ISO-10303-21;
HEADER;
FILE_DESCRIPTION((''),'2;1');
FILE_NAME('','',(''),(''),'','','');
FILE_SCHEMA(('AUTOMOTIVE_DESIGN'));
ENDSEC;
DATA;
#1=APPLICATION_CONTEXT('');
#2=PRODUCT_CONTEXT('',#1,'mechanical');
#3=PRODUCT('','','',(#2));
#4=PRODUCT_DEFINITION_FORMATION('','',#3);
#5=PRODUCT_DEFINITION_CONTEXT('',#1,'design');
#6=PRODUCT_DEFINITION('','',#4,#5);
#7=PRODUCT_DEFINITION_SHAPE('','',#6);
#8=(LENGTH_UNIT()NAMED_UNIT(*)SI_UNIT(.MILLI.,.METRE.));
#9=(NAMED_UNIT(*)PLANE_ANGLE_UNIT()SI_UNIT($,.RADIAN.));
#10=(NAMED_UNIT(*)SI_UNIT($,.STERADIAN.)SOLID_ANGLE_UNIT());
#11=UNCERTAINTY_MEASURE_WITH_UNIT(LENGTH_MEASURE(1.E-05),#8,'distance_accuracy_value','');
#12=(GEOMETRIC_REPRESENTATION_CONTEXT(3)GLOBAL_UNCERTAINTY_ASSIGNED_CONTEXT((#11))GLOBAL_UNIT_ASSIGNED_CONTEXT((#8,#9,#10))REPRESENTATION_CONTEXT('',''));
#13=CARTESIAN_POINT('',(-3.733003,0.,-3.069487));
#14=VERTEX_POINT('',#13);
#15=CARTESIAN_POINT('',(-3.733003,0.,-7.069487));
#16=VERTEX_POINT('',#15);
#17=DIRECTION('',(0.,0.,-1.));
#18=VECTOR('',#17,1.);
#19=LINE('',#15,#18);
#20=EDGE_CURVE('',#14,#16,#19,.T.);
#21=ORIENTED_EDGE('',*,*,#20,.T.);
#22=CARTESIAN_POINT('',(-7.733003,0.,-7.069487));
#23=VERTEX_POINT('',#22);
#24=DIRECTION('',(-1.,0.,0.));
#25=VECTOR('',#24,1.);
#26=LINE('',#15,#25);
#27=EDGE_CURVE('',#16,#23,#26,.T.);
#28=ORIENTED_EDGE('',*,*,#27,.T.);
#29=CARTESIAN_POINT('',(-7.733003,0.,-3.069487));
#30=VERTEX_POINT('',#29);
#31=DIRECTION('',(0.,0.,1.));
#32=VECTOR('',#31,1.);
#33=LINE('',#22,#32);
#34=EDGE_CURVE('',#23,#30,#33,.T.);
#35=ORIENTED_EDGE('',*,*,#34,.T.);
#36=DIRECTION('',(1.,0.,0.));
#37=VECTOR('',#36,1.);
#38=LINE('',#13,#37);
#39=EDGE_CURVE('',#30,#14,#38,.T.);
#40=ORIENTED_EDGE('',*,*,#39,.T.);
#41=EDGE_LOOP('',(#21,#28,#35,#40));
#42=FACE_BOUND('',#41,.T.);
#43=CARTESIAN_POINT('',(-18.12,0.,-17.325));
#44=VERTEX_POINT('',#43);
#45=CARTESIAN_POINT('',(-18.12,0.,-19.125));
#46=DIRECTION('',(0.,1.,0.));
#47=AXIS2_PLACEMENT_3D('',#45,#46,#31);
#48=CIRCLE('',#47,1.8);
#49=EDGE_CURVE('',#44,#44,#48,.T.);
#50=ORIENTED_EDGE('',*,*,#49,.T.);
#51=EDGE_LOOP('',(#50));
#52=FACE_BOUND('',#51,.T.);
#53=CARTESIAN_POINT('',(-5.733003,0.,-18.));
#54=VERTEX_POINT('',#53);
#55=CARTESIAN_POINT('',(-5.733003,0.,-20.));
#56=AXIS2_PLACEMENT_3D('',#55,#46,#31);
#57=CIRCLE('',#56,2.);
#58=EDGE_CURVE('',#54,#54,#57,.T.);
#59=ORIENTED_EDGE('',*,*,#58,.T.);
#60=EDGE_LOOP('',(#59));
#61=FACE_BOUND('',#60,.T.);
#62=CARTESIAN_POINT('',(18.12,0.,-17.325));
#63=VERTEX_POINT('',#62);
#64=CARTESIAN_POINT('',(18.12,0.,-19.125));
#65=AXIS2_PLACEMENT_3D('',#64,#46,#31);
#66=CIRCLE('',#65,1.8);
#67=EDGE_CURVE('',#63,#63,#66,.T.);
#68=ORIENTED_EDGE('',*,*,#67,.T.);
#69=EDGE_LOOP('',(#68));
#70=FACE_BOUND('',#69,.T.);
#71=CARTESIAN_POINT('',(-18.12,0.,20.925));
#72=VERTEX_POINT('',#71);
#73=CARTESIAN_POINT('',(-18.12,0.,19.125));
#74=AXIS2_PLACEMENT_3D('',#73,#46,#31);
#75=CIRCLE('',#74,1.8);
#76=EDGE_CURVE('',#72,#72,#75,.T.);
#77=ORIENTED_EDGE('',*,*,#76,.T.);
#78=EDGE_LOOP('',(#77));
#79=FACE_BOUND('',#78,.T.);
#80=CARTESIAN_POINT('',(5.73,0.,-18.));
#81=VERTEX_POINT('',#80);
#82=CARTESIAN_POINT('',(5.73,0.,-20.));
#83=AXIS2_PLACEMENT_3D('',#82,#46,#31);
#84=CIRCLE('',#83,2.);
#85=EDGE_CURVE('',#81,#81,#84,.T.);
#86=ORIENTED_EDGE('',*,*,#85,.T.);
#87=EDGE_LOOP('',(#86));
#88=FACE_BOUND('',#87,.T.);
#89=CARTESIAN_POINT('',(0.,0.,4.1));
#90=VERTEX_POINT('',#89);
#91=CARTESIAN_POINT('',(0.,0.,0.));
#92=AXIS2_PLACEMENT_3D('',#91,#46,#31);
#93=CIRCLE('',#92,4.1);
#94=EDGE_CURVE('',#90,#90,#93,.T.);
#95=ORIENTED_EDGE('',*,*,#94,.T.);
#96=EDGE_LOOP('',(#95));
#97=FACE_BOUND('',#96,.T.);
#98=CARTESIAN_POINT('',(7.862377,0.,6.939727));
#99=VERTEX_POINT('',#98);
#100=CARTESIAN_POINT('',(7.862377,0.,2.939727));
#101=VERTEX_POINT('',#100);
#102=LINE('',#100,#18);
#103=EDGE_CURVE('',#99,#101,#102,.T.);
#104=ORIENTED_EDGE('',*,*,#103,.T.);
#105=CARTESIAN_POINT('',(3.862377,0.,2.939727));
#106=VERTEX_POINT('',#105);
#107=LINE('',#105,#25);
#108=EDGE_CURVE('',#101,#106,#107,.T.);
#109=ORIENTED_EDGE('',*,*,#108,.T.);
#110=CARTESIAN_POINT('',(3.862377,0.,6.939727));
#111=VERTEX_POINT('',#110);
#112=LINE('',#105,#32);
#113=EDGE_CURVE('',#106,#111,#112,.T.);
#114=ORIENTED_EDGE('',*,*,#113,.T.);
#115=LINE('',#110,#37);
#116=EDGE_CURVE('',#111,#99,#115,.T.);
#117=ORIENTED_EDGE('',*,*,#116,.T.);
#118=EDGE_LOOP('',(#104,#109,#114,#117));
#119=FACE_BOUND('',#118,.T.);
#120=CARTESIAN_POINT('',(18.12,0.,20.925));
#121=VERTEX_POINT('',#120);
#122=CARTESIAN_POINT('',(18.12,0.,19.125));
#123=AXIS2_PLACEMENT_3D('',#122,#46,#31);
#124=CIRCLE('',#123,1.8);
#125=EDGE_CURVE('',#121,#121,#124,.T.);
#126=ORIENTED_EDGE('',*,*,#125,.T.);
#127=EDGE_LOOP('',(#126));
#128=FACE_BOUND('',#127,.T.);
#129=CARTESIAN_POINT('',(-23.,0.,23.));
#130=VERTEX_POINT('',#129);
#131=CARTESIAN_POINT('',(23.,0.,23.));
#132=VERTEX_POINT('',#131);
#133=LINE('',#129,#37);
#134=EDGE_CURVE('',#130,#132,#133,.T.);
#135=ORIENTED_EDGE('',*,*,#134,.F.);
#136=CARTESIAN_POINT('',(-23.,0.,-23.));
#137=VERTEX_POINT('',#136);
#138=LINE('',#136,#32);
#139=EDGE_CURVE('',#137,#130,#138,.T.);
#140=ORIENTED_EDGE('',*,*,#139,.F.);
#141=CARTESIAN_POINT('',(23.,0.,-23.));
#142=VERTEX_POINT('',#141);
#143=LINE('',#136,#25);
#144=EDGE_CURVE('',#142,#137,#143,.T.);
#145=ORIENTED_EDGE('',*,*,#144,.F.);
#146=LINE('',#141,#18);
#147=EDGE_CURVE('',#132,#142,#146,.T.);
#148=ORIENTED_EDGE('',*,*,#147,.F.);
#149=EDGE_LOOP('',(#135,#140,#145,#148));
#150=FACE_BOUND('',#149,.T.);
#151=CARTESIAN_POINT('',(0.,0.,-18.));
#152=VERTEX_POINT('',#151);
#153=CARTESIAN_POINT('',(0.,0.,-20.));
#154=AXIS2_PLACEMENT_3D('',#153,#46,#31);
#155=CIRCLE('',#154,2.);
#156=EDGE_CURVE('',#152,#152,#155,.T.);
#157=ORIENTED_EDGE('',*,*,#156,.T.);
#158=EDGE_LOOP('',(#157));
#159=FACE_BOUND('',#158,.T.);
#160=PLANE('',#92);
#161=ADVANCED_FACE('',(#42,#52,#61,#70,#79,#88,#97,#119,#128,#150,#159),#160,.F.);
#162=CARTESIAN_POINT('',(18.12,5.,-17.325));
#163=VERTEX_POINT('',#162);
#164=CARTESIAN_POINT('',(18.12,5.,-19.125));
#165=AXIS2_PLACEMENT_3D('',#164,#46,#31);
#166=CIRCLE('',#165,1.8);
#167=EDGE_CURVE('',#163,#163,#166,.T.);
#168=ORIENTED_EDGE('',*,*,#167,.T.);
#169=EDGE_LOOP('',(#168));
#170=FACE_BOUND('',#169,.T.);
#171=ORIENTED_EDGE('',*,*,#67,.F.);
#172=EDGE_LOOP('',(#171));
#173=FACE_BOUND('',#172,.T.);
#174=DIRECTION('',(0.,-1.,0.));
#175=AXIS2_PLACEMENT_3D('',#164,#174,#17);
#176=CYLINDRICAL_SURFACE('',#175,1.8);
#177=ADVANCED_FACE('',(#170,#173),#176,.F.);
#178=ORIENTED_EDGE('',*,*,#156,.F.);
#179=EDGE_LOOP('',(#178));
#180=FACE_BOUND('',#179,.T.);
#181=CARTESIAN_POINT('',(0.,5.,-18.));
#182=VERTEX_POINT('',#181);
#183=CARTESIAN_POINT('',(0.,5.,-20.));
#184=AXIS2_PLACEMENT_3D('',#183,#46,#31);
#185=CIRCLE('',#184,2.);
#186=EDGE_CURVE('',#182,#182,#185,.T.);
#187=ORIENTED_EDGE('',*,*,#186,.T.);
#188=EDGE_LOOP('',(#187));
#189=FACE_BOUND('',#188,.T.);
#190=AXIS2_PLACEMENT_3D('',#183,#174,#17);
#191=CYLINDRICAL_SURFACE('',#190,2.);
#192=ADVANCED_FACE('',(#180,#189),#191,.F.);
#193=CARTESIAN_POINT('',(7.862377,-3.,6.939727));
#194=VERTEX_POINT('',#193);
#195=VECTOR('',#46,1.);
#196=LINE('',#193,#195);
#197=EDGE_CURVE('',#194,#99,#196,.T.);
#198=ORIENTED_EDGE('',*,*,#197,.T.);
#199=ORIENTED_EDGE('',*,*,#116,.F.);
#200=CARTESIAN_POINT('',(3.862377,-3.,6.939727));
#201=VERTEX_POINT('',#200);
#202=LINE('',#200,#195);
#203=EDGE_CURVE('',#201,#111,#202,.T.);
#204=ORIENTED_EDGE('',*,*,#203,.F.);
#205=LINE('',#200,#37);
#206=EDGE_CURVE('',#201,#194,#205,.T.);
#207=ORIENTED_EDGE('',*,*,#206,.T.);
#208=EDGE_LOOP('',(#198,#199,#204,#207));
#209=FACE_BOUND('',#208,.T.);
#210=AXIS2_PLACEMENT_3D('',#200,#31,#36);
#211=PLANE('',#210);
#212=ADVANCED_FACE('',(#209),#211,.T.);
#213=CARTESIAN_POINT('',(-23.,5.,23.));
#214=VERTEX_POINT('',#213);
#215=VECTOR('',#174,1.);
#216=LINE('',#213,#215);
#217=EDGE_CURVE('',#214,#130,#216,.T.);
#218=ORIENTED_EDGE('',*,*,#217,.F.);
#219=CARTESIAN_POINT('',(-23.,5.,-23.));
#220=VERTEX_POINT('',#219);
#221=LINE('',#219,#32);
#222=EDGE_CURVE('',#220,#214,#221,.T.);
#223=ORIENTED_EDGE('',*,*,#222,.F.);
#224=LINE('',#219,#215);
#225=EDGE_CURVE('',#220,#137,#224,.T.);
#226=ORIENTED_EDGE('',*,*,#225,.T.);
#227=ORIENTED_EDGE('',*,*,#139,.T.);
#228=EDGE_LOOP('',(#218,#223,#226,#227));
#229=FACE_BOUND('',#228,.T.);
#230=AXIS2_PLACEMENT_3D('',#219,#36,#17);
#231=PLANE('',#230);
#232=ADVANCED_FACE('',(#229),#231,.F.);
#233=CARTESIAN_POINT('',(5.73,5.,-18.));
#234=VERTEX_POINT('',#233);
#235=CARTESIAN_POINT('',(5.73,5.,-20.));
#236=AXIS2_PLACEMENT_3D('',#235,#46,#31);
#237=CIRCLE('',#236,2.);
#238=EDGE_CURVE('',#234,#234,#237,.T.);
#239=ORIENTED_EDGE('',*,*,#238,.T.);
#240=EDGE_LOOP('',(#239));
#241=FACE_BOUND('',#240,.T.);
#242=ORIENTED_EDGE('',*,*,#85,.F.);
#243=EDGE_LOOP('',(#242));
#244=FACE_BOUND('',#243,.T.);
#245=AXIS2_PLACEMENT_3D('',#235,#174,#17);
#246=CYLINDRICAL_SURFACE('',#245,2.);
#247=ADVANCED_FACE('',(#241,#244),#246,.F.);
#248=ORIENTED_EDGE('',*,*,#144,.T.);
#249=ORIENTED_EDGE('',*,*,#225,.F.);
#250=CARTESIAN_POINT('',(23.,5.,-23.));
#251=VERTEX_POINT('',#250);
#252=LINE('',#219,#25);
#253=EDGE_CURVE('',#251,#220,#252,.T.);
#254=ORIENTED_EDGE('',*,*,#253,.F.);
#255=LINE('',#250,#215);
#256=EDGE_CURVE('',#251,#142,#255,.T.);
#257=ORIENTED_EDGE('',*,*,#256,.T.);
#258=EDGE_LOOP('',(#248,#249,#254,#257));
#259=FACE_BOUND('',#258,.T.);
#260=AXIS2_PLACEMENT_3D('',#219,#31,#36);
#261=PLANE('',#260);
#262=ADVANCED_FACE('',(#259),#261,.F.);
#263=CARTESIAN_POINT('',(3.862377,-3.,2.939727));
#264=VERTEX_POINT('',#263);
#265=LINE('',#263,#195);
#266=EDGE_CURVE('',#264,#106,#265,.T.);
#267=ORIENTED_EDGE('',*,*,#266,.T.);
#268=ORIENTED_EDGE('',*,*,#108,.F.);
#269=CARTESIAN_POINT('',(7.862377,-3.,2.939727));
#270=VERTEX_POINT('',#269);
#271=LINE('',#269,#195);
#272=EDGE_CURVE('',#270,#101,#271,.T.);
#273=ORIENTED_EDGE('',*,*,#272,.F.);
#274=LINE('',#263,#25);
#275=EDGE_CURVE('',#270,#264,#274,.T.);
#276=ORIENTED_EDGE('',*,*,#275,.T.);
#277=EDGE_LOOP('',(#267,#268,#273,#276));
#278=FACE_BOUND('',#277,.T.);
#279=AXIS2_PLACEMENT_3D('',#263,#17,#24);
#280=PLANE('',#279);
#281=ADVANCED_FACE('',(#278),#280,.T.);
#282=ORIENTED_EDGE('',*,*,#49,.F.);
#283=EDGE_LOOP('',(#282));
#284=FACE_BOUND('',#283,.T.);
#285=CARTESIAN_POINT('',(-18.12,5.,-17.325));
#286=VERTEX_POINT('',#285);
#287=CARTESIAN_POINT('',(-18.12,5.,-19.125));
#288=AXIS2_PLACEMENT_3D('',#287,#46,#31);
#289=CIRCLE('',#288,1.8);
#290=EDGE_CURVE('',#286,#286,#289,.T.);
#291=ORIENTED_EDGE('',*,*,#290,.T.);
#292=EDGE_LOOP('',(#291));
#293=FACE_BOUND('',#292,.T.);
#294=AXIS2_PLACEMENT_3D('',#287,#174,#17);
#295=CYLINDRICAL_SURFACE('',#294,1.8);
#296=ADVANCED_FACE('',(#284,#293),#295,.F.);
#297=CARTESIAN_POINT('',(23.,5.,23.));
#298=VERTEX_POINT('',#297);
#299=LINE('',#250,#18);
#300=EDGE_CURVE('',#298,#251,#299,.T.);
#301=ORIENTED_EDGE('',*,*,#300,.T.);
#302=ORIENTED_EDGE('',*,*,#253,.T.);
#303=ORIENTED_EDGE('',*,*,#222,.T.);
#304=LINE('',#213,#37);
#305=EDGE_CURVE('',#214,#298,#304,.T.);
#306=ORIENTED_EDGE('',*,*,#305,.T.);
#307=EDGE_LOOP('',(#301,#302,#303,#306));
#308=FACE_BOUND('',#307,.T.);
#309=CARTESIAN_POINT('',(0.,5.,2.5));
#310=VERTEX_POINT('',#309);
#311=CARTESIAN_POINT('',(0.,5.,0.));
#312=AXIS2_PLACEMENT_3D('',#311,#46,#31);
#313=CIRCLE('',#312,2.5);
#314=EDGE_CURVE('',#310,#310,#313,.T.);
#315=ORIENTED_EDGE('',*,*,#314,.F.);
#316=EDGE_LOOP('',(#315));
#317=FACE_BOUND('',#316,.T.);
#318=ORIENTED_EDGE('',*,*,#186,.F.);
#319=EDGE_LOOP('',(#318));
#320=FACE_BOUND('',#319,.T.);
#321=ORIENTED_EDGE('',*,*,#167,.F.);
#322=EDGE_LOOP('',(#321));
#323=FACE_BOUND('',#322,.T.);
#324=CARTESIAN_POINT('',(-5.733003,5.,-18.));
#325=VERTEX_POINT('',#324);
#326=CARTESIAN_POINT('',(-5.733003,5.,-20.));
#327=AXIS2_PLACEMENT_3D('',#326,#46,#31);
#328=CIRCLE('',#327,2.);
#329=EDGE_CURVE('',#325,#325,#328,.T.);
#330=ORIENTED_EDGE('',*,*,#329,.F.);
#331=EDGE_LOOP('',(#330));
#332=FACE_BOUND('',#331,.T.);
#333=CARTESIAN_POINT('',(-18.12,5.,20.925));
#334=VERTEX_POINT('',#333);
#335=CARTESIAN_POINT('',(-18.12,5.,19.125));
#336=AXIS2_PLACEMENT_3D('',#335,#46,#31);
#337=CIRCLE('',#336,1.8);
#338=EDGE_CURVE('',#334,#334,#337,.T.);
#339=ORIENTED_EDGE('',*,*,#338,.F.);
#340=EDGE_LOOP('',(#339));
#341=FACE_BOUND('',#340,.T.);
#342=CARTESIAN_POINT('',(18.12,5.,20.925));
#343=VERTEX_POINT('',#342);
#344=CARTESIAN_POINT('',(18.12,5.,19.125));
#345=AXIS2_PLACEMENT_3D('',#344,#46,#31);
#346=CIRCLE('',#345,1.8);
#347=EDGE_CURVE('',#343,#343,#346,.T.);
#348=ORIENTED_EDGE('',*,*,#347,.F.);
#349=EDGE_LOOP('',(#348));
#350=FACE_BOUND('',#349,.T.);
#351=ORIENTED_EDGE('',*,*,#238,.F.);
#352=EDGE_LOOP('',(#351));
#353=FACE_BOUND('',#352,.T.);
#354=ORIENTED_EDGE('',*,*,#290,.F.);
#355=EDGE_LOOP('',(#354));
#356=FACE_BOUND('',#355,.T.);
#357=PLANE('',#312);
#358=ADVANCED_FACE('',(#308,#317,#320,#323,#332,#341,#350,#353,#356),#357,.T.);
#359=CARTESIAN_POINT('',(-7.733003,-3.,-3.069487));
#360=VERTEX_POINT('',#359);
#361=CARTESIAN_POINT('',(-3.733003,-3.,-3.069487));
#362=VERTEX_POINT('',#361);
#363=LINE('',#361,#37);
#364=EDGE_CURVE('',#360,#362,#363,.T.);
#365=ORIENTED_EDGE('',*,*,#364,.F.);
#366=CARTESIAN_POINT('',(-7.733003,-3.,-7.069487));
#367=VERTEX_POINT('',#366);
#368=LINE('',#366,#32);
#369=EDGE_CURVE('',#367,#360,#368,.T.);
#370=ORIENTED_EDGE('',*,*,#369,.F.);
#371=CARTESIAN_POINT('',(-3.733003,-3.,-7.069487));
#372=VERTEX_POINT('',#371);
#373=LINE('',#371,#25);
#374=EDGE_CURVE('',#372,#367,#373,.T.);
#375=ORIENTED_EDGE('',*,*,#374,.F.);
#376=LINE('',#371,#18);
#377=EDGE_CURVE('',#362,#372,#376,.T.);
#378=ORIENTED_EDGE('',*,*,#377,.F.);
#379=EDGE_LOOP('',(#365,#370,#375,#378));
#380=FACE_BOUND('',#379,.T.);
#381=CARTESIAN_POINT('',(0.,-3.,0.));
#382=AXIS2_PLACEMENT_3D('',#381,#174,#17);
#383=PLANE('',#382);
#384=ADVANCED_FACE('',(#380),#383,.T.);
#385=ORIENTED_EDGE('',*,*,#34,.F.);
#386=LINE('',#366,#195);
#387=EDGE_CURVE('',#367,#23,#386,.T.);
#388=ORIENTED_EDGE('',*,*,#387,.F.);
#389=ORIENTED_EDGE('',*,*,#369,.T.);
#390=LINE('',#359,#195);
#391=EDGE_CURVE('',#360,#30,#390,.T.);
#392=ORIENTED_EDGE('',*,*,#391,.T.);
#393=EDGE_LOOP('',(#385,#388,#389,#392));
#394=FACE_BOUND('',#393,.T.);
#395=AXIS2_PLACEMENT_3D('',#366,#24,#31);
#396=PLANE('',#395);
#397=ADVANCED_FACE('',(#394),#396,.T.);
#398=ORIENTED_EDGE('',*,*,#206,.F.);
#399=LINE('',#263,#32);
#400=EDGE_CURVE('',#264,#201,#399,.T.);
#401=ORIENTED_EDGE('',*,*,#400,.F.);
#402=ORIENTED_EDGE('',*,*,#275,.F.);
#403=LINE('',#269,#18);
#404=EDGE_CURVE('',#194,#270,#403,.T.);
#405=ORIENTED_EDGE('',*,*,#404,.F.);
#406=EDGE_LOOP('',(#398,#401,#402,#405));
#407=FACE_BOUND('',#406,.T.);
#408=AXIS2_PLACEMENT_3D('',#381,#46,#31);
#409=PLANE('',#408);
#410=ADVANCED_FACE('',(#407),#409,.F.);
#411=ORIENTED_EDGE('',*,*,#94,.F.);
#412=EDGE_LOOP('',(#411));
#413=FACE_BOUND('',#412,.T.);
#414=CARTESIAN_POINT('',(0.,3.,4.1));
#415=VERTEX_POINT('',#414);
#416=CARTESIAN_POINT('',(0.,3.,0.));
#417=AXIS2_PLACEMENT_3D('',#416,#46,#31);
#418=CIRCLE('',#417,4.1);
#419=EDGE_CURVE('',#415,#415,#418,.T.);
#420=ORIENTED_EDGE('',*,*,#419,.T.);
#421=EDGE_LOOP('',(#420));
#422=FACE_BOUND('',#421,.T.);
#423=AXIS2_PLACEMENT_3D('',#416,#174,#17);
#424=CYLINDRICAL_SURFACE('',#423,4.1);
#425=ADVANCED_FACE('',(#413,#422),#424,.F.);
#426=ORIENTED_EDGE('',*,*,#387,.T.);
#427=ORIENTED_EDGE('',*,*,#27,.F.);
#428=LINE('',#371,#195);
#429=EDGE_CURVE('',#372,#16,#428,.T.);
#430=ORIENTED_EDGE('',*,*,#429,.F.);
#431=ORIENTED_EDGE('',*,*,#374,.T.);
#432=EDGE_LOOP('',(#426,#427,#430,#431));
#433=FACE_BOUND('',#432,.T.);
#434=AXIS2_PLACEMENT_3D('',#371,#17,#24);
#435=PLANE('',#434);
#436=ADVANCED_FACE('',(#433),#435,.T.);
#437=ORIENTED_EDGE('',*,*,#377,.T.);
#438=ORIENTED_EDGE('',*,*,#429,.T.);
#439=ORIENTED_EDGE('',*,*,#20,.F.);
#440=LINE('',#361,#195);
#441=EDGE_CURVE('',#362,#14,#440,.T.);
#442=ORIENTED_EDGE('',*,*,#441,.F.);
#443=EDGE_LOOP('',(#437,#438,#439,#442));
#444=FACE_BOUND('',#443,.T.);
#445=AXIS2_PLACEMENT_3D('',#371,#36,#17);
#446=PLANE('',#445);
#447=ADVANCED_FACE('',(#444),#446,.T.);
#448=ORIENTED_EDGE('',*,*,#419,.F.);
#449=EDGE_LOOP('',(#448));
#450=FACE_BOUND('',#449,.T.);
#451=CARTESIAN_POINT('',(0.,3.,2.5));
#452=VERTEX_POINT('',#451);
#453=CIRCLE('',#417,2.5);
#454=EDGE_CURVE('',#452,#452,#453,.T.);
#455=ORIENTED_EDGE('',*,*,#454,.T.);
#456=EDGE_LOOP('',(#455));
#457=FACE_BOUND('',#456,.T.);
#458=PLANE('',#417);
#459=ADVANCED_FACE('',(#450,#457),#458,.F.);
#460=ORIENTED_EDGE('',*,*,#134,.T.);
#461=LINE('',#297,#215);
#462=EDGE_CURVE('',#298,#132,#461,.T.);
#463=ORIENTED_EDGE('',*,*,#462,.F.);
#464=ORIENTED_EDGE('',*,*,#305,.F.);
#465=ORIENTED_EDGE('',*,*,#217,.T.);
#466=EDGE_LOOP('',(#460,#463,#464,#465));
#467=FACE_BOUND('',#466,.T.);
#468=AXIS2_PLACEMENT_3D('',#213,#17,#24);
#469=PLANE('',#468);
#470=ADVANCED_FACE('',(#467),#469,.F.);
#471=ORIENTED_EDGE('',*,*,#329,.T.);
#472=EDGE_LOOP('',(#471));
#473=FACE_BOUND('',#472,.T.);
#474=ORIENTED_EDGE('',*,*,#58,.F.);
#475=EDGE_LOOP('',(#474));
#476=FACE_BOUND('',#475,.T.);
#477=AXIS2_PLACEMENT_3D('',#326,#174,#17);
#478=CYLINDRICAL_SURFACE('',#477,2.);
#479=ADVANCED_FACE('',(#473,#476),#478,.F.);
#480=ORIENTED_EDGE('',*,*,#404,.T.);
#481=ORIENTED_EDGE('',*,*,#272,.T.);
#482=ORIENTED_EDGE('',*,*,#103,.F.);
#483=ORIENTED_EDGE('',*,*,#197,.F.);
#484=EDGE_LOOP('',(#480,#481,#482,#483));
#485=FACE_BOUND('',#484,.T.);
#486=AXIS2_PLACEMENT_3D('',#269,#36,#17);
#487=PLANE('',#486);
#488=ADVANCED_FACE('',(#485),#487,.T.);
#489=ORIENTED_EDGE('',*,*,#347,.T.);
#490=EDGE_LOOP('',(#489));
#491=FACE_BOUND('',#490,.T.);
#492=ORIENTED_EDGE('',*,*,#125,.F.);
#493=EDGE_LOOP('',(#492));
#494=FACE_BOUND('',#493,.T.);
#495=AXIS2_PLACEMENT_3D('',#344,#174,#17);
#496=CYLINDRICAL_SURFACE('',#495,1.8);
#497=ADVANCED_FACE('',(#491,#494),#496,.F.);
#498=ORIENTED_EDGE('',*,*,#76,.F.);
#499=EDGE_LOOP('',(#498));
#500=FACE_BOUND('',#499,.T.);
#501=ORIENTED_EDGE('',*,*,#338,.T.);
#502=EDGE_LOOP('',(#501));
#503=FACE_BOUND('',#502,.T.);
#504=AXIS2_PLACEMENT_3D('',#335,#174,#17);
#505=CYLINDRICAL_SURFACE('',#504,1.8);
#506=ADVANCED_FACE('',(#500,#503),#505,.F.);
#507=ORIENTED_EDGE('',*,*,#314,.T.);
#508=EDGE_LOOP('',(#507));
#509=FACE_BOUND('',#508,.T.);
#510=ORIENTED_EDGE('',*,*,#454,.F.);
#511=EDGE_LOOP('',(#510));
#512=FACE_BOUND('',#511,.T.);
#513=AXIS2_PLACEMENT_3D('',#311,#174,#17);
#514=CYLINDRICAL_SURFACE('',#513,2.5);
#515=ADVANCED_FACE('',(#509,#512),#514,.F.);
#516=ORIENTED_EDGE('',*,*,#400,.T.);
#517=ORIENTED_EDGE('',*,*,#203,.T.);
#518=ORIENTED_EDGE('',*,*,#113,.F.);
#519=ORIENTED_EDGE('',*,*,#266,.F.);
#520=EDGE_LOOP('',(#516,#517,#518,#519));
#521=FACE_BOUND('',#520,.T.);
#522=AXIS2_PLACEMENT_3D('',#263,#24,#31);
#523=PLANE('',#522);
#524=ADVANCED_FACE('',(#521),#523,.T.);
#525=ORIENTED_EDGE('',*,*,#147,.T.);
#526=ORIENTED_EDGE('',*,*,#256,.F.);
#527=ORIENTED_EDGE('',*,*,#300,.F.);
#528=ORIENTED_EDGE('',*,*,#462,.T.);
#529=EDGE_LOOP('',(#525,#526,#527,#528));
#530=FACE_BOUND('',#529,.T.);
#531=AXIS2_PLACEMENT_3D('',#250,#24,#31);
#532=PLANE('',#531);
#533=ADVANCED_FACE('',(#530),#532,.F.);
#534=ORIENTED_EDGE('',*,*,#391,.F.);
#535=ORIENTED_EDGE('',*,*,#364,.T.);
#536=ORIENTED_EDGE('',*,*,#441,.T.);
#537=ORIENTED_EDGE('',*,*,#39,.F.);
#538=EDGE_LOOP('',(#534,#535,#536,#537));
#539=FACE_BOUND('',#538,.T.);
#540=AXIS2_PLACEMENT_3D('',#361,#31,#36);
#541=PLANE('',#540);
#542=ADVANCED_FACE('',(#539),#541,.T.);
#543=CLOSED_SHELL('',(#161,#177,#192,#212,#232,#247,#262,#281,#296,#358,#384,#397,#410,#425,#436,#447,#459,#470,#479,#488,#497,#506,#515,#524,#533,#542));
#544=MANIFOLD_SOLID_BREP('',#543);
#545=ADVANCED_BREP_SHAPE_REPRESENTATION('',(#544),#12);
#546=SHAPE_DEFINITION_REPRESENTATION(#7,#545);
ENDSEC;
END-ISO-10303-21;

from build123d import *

# Parameters (mm, degrees)
SKETCH2_W           = 46
SKETCH2_H           = 46
BOSS_EXTRUDE1_DEPTH = 5
SKETCH3_R           = 1.8
SKETCH3_R_2         = 2.5
CUT_EXTRUDE1_DEPTH  = 5
SKETCH4_R           = 4.1
CUT_EXTRUDE2_DEPTH  = 3
SKETCH5_W           = 4
SKETCH5_H           = 4
BOSS_EXTRUDE2_DEPTH = 3
SKETCH9_R           = 2
CUT_EXTRUDE6_DEPTH  = 6


with BuildPart() as part:
    # Sketch2 → Boss-Extrude1 (new body)
    with BuildSketch(Plane(origin=(0, 0, 0), x_dir=(1, 0, 0), z_dir=(0, 1, 0))):
        Rectangle(SKETCH2_W, SKETCH2_H)
    extrude(amount=BOSS_EXTRUDE1_DEPTH)

    # Sketch3 → Cut-Extrude1 (cut)
    with BuildSketch(Plane(origin=(0, 0, 0), x_dir=(1, 0, 0), z_dir=(0, 1, 0))):
        with Locations((-18.12, 19.125)):
            Circle(SKETCH3_R)
        with Locations((18.12, 19.125)):
            Circle(SKETCH3_R)
        with Locations((18.12, -19.125)):
            Circle(SKETCH3_R)
        with Locations((-18.12, -19.125)):
            Circle(SKETCH3_R)
        Circle(SKETCH3_R_2)
    extrude(amount=CUT_EXTRUDE1_DEPTH, mode=Mode.SUBTRACT)

    # Sketch4 → Cut-Extrude2 (cut)
    with BuildSketch(Plane(origin=(0, 0, 0), x_dir=(1, 0, 0), z_dir=(0, 1, 0))):
        Circle(SKETCH4_R)
    extrude(amount=CUT_EXTRUDE2_DEPTH, mode=Mode.SUBTRACT)

    # Sketch5 → Boss-Extrude2 (add)
    with BuildSketch(Plane(origin=(0, 0, 0), x_dir=(1, 0, 0), z_dir=(0, 1, 0))):
        with Locations((-5.7330026, 5.06948708)):
            Rectangle(SKETCH5_W, SKETCH5_H)
        with Locations((5.862376563, -4.939727226)):
            Rectangle(SKETCH5_W, SKETCH5_H)
    extrude(amount=-BOSS_EXTRUDE2_DEPTH)

    # Sketch9 → Cut-Extrude6 (cut, through all)
    with BuildSketch(Plane(origin=(0, 0, 0), x_dir=(1, 0, 0), z_dir=(0, 1, 0))):
        with Locations((-5.7330026, 20)):
            Circle(SKETCH9_R)
        with Locations((5.73, 20)):
            Circle(SKETCH9_R)
        with Locations((0, 20)):
            Circle(SKETCH9_R)
    extrude(amount=CUT_EXTRUDE6_DEPTH, mode=Mode.SUBTRACT)


solid = part.part
